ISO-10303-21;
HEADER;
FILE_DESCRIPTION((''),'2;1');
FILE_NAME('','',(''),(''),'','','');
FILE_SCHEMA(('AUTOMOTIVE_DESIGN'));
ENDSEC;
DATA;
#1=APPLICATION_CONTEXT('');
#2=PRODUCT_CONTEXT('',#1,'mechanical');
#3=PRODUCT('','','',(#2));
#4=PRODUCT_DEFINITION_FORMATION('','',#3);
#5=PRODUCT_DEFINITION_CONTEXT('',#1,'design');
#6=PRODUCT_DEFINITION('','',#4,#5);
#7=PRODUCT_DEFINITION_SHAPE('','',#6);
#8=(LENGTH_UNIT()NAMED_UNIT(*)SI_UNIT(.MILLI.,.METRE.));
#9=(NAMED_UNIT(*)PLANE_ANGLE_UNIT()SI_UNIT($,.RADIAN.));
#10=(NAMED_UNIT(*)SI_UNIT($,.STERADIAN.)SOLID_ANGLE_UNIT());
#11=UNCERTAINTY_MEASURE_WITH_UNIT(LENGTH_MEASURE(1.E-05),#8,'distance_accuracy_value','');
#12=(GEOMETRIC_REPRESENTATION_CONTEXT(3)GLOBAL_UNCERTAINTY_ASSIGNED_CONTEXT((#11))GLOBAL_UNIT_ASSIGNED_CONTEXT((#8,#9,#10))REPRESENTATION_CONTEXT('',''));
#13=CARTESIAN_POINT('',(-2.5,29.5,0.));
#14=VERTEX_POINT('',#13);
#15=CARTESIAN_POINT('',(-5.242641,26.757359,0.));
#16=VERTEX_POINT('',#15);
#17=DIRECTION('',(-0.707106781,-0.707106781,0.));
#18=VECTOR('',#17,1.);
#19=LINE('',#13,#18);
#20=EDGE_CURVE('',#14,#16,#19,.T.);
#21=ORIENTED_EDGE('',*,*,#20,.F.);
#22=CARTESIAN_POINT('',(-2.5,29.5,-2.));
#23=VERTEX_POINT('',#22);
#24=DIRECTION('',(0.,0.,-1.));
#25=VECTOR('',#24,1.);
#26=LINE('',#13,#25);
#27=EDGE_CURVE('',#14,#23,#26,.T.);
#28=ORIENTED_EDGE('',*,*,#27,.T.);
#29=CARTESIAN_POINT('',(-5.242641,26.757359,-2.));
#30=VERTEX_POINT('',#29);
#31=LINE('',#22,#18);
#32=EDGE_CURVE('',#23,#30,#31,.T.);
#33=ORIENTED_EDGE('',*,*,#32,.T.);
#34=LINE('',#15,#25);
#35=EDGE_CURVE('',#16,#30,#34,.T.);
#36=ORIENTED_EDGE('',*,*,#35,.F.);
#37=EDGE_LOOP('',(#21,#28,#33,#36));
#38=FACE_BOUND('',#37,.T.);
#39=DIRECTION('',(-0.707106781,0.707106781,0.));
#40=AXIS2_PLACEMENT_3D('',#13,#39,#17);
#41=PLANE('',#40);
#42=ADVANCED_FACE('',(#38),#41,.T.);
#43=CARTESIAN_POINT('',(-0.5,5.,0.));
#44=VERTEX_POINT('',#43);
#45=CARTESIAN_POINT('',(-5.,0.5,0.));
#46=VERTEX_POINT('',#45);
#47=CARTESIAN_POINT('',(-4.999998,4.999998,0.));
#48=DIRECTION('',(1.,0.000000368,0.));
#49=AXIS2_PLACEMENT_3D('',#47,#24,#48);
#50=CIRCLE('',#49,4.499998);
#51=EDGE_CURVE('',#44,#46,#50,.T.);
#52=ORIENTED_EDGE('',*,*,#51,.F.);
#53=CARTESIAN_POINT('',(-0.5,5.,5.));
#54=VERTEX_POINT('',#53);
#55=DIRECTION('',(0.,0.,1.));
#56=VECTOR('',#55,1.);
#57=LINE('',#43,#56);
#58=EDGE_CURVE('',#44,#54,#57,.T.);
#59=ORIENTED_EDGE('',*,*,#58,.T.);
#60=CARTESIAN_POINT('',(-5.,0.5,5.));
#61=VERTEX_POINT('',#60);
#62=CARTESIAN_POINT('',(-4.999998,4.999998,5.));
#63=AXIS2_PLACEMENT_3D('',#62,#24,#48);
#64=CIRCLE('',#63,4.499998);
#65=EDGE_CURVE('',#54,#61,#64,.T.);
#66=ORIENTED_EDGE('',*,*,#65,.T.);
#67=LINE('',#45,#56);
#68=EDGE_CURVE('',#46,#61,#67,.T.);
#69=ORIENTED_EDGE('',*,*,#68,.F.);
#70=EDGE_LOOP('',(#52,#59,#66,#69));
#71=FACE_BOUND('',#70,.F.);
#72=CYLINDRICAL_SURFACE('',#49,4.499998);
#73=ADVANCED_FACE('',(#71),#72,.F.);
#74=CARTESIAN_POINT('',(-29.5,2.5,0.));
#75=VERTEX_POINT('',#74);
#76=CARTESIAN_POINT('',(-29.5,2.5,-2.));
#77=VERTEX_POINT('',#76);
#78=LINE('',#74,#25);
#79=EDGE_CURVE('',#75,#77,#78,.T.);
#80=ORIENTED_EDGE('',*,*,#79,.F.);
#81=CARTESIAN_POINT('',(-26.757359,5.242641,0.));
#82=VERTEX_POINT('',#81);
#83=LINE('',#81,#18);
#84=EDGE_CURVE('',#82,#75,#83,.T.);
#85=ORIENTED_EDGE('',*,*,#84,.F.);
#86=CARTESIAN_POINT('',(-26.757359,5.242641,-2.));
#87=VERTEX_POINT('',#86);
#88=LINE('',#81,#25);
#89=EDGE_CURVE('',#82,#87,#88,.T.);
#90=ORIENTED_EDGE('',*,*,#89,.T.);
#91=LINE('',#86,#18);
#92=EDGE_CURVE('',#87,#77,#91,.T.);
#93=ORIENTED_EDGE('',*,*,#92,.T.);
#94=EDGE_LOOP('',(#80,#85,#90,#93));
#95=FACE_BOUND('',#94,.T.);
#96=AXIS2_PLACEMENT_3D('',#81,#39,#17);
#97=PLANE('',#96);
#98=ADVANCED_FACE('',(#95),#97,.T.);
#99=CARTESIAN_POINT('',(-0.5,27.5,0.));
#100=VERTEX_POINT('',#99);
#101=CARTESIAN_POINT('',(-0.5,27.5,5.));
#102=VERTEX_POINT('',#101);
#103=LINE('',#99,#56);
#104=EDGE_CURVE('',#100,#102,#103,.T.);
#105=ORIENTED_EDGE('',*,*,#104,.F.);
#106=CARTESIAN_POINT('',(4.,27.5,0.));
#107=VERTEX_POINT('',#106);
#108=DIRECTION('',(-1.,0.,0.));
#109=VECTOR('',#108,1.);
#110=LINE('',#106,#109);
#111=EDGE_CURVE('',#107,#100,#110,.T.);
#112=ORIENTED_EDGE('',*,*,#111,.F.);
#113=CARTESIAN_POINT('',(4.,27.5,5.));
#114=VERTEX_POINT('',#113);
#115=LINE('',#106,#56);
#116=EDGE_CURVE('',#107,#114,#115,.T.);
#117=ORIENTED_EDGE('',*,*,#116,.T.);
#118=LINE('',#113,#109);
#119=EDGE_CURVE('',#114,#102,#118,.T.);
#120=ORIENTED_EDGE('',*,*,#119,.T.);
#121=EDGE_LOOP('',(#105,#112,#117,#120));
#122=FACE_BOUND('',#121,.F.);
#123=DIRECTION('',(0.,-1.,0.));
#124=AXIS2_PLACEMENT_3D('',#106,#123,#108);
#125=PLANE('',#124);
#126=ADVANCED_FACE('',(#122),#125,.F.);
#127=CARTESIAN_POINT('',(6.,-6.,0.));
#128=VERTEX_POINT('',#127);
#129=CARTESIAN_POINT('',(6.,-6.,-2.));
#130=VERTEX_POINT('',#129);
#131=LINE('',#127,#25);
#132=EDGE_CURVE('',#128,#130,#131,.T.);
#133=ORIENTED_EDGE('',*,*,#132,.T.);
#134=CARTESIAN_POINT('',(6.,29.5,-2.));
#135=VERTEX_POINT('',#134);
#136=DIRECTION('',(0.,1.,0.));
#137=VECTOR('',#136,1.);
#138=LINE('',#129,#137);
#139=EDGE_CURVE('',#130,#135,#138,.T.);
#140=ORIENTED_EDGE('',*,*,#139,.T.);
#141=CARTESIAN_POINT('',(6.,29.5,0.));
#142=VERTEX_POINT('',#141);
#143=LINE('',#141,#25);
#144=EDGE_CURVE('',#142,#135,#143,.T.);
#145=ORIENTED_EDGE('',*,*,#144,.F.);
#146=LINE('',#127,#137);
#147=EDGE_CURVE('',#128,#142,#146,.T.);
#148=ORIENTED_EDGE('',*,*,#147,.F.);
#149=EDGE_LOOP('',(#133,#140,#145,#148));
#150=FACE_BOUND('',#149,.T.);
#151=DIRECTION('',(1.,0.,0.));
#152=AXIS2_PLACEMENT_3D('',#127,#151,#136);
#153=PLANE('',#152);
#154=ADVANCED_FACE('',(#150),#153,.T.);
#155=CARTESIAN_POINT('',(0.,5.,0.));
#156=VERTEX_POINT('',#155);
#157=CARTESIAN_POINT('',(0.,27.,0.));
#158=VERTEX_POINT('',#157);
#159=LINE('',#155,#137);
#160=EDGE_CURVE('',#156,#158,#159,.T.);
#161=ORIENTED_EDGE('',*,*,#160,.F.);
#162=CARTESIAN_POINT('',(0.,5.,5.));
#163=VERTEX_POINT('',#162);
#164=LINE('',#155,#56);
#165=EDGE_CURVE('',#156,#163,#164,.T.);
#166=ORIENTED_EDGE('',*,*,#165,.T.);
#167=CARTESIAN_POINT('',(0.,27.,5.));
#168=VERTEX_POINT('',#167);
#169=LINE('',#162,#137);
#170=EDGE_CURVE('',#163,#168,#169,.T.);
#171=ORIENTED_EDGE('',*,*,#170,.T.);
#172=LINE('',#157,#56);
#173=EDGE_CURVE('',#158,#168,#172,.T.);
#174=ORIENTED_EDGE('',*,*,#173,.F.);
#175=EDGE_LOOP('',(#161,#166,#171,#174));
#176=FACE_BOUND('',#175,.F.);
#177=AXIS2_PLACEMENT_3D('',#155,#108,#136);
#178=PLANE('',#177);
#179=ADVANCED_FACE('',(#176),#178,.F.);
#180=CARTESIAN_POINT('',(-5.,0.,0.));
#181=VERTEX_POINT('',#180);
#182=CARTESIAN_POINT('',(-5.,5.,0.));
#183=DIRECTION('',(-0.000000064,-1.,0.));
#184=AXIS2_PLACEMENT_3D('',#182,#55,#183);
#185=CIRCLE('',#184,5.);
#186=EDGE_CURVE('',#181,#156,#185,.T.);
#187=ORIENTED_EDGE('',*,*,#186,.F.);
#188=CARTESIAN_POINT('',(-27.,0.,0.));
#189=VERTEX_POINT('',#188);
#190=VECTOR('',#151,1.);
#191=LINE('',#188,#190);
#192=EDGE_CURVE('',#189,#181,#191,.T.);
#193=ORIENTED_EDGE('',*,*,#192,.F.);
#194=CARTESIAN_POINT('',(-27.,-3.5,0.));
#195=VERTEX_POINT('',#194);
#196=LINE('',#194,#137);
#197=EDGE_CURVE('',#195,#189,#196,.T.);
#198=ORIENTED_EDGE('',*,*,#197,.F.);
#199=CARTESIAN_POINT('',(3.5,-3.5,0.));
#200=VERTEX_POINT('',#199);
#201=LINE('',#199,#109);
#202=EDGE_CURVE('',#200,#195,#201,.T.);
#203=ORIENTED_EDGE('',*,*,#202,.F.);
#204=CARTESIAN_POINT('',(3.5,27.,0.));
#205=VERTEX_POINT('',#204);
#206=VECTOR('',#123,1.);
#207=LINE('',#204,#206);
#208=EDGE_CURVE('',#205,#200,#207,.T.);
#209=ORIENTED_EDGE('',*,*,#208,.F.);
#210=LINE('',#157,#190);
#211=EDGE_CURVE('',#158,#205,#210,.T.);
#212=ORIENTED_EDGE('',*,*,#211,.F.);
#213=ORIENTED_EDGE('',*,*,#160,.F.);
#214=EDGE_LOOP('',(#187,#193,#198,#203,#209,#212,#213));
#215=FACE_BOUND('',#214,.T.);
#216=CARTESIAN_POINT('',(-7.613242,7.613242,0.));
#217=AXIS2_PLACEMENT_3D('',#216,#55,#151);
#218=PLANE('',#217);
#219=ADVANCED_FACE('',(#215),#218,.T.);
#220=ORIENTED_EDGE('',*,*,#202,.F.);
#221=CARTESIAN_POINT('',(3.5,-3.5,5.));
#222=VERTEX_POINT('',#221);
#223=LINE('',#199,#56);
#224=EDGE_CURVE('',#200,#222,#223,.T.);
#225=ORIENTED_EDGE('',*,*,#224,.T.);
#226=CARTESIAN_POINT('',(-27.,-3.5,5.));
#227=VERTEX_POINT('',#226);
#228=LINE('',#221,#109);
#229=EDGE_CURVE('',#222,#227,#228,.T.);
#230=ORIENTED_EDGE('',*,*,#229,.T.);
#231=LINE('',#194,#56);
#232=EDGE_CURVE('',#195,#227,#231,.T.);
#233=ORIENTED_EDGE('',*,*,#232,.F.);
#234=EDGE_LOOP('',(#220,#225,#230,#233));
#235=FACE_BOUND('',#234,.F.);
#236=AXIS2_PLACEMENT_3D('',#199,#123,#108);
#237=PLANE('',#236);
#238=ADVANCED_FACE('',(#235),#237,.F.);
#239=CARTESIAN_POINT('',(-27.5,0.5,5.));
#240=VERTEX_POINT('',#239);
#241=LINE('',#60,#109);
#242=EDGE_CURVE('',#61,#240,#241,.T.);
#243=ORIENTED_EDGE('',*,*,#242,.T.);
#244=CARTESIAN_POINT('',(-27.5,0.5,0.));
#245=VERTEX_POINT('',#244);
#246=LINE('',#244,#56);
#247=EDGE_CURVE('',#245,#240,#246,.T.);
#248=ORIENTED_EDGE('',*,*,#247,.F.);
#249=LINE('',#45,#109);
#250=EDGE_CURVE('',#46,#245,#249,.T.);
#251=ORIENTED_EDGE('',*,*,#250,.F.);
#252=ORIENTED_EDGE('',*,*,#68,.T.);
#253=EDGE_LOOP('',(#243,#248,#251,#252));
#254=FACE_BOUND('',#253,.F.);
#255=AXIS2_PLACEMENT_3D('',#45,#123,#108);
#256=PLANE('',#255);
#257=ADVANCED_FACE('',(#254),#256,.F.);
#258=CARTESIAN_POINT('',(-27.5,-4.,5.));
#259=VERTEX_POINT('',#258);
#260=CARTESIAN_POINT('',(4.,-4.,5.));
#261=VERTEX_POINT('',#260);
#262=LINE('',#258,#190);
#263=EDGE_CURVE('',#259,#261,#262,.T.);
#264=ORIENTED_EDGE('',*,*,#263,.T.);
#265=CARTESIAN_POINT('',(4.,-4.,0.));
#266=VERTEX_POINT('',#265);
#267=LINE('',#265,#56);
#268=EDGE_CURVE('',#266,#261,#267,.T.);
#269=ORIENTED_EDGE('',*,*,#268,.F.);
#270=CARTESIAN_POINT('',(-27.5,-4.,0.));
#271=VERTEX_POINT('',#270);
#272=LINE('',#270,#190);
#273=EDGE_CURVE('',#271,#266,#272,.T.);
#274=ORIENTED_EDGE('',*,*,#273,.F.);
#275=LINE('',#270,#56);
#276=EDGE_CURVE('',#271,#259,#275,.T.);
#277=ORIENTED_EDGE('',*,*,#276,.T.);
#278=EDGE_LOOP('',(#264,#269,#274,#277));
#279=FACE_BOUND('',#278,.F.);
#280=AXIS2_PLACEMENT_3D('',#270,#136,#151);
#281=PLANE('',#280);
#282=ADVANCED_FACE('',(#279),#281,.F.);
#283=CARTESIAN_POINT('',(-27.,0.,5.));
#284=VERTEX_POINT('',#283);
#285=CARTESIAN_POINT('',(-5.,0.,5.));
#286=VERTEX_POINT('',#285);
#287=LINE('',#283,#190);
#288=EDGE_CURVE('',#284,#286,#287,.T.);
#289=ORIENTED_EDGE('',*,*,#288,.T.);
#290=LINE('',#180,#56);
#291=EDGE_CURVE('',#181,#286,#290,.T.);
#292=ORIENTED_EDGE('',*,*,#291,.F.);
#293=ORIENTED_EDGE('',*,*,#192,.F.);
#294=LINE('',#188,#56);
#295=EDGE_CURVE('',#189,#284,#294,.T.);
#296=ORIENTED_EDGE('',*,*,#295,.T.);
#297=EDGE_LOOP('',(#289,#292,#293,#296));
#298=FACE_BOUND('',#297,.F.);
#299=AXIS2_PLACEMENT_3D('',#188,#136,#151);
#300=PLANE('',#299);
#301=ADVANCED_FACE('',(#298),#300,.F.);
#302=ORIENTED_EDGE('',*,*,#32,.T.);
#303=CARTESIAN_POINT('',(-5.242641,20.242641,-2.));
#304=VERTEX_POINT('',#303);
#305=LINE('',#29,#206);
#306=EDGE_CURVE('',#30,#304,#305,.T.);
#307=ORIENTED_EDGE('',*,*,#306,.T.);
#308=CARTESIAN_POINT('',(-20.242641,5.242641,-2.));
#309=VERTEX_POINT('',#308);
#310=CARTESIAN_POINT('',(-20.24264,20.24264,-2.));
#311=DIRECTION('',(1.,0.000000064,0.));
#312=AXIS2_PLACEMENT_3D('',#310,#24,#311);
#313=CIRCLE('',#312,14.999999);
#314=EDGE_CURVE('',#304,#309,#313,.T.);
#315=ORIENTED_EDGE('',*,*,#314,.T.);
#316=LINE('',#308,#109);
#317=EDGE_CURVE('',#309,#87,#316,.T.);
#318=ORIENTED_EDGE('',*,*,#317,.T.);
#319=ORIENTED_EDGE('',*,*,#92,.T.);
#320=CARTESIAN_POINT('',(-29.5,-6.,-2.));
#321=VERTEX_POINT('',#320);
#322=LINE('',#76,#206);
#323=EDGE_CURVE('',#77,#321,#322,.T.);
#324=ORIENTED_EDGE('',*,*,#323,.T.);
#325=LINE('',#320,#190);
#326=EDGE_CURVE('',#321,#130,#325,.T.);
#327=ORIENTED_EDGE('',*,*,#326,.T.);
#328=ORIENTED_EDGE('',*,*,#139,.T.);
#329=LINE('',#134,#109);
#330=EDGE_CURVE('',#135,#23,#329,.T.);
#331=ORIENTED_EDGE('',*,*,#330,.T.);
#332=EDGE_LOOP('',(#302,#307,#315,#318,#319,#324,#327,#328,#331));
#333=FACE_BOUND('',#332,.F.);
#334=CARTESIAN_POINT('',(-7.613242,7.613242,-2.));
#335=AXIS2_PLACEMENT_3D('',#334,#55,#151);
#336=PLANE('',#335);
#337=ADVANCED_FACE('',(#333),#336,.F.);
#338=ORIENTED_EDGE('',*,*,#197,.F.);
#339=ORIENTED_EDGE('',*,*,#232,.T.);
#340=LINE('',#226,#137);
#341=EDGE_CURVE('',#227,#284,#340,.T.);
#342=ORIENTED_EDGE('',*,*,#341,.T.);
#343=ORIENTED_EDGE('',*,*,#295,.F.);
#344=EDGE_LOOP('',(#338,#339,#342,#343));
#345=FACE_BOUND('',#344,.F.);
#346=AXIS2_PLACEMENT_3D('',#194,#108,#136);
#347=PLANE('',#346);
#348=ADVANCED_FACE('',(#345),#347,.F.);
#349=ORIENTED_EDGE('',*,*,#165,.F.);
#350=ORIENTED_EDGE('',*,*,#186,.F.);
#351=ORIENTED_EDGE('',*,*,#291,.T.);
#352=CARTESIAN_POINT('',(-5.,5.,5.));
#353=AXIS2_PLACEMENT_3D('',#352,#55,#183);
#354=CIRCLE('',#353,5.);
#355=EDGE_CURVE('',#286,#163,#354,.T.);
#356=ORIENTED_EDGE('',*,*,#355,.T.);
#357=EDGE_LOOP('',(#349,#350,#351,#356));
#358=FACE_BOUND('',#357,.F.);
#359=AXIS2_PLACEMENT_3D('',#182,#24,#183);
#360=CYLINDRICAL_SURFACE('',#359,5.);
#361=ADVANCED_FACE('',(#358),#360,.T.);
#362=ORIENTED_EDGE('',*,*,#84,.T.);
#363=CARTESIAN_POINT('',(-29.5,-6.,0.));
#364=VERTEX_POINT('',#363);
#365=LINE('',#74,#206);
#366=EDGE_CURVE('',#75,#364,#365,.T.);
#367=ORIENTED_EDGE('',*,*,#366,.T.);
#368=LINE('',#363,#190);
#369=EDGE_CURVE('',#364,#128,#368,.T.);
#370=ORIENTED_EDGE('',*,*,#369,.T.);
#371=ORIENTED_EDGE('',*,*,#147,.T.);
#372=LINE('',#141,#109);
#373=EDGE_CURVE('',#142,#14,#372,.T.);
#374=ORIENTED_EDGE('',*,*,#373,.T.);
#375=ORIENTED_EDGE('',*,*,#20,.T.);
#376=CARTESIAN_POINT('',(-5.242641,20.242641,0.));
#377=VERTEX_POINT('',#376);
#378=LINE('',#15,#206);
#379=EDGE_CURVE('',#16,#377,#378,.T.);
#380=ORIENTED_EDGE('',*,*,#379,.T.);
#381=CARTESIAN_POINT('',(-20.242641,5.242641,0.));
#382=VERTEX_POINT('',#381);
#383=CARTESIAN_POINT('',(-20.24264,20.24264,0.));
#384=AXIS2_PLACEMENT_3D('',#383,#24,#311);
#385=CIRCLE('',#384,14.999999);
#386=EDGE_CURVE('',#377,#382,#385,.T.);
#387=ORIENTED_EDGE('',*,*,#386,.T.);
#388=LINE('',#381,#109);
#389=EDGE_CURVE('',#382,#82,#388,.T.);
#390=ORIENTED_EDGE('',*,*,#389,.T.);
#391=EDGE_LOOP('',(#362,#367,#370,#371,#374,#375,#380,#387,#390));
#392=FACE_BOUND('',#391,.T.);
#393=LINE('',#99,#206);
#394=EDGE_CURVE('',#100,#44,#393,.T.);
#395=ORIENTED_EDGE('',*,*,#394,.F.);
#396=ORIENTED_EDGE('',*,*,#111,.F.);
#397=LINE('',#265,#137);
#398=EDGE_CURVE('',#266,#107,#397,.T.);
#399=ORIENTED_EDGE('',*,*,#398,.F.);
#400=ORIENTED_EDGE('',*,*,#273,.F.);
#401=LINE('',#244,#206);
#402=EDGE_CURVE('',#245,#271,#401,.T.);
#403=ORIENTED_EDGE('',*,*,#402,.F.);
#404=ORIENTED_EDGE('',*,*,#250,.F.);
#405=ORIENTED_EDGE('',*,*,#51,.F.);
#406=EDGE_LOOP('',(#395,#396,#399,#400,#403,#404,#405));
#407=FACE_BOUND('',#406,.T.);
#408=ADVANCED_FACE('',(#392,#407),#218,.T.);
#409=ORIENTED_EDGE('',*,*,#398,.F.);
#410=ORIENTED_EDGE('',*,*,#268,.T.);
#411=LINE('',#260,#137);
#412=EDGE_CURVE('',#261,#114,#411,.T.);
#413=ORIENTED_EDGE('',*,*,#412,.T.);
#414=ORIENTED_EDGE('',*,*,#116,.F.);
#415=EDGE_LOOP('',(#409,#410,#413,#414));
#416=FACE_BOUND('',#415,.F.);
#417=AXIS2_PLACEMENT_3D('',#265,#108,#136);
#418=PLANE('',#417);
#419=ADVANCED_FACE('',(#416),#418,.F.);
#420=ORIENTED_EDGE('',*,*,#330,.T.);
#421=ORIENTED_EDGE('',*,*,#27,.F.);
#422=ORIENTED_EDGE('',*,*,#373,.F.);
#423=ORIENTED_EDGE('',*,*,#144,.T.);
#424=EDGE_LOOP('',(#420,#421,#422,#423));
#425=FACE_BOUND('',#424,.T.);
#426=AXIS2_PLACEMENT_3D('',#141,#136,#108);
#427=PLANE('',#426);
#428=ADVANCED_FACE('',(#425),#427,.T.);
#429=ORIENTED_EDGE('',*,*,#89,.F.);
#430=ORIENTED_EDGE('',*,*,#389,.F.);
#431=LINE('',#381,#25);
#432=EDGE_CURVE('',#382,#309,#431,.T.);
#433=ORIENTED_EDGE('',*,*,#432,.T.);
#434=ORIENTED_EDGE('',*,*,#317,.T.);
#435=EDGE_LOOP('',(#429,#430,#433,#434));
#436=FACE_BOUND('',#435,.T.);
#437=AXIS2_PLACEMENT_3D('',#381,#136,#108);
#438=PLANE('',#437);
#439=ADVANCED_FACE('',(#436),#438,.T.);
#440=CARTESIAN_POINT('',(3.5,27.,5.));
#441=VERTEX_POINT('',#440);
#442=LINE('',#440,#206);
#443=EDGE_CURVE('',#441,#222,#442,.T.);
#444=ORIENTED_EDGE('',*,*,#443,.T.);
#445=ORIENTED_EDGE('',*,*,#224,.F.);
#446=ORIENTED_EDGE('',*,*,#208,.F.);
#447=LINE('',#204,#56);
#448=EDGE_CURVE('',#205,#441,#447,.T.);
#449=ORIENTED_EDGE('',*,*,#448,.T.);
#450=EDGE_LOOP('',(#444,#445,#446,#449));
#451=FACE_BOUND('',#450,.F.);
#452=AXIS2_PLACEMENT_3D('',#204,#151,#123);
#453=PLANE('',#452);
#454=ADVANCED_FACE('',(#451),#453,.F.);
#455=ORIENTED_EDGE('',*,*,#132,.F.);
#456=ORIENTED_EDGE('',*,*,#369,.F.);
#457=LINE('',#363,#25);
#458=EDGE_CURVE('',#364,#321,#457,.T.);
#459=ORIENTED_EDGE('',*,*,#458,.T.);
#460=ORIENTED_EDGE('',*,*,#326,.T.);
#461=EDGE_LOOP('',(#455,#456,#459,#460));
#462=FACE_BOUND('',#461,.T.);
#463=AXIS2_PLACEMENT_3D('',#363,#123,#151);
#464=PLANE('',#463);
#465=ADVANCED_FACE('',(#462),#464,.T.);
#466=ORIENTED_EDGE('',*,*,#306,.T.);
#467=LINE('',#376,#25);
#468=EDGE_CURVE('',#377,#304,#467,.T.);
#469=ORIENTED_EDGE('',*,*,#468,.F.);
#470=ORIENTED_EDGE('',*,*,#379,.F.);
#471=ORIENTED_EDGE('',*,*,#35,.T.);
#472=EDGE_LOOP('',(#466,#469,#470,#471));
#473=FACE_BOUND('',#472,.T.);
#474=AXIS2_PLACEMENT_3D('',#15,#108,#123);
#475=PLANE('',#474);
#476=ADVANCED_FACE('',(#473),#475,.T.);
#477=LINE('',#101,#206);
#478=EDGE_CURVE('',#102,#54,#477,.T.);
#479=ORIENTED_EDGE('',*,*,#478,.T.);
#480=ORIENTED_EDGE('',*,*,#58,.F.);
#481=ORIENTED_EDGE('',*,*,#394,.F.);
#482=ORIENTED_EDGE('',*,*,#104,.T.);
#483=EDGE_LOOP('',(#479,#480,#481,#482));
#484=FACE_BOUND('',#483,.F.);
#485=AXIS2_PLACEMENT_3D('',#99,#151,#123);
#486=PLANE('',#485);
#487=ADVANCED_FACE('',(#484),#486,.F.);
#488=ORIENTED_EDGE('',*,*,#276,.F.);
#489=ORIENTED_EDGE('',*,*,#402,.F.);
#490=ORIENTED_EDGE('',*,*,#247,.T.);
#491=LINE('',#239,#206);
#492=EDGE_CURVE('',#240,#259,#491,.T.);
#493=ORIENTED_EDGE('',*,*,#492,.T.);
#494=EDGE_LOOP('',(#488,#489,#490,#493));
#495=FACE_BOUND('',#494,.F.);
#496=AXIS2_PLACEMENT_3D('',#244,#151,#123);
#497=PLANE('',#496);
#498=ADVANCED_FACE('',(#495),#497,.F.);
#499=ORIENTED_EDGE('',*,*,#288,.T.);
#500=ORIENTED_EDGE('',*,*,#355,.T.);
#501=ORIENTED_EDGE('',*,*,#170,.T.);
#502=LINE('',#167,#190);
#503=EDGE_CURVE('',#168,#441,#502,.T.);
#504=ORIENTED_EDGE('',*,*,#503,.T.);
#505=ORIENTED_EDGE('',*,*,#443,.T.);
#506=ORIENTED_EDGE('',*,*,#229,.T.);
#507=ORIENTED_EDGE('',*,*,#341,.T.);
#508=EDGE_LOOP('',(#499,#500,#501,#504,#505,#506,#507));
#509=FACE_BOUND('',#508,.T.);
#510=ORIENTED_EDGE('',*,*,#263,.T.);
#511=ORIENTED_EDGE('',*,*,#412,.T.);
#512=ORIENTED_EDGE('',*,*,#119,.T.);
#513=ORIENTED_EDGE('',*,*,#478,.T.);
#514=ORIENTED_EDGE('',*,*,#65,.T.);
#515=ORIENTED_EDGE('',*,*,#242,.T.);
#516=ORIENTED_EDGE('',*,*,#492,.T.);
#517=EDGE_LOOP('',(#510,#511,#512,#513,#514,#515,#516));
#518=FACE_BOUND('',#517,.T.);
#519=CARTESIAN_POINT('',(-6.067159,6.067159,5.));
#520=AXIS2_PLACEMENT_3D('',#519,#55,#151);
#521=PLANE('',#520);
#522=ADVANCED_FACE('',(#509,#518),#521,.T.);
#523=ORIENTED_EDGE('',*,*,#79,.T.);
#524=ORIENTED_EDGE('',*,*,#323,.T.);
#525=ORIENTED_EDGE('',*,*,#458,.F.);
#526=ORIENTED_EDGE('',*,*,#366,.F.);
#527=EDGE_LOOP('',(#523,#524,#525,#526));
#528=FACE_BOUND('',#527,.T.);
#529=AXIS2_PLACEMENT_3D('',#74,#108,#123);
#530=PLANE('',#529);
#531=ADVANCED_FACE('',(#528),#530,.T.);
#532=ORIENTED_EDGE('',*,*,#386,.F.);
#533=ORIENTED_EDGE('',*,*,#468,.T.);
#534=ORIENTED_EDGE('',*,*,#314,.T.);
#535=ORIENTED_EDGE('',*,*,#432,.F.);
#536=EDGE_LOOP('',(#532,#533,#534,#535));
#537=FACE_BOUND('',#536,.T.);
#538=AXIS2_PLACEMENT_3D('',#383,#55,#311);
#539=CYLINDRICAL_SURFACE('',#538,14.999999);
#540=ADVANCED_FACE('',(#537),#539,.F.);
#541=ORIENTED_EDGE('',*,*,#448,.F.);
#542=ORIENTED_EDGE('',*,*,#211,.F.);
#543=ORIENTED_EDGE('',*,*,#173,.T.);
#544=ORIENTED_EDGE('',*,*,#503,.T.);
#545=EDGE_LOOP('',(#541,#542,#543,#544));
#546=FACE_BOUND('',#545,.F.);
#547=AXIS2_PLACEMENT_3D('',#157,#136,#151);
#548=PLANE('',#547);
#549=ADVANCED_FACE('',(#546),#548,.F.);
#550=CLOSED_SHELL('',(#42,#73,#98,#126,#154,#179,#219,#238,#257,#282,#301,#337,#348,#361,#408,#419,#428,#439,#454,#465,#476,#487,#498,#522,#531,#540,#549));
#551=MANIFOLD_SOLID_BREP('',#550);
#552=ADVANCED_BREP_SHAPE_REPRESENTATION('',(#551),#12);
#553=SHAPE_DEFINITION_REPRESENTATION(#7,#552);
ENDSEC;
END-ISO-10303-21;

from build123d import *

# Parameters (mm, degrees)
F1_DEPTH = 5
F3_DEPTH = 2


with BuildPart() as f1:
    # F0 (on Top) → F1 (new body)
    with BuildSketch(Plane.XY):
        with BuildLine():
            Line((4, -4), (4, 27.5))
            Line((4, 27.5), (-0.5, 27.5))
            Line((-0.5, 27.5), (-0.5, 5))
            ThreePointArc((-0.5, 5), (-1.818019, 1.818019), (-5, 0.5))
            Line((-5, 0.5), (-27.5, 0.5))
            Line((-27.5, 0.5), (-27.5, -4))
            Line((-27.5, -4), (4, -4))
        make_face()
        with BuildLine():
            Line((-27, 0), (-5, 0))
            ThreePointArc((-5, 0), (-1.464466, 1.464466), (0, 5))
            Line((0, 5), (0, 27))
            Line((0, 27), (3.5, 27))
            Line((3.5, 27), (3.5, -3.5))
            Line((3.5, -3.5), (-27, -3.5))
            Line((-27, -3.5), (-27, 0))
        make_face(mode=Mode.SUBTRACT)
    extrude(amount=F1_DEPTH)

    # F2 (on Top) → F3 (join)
    with BuildSketch(Plane.XY):
        with BuildLine():
            Line((-29.5, -6), (6, -6))
            Line((6, -6), (6, 29.5))
            Line((6, 29.5), (-2.5, 29.5))
            Line((-2.5, 29.5), (-5.242641, 26.757359))
            Line((-5.242641, 26.757359), (-5.242641, 20.242641))
            ThreePointArc((-5.242641, 20.242641), (-9.636039, 9.636039), (-20.242641, 5.242641))
            Line((-20.242641, 5.242641), (-26.757359, 5.242641))
            Line((-26.757359, 5.242641), (-29.5, 2.5))
            Line((-29.5, 2.5), (-29.5, -6))
        make_face()
    extrude(amount=-F3_DEPTH)


solid = f1.part
